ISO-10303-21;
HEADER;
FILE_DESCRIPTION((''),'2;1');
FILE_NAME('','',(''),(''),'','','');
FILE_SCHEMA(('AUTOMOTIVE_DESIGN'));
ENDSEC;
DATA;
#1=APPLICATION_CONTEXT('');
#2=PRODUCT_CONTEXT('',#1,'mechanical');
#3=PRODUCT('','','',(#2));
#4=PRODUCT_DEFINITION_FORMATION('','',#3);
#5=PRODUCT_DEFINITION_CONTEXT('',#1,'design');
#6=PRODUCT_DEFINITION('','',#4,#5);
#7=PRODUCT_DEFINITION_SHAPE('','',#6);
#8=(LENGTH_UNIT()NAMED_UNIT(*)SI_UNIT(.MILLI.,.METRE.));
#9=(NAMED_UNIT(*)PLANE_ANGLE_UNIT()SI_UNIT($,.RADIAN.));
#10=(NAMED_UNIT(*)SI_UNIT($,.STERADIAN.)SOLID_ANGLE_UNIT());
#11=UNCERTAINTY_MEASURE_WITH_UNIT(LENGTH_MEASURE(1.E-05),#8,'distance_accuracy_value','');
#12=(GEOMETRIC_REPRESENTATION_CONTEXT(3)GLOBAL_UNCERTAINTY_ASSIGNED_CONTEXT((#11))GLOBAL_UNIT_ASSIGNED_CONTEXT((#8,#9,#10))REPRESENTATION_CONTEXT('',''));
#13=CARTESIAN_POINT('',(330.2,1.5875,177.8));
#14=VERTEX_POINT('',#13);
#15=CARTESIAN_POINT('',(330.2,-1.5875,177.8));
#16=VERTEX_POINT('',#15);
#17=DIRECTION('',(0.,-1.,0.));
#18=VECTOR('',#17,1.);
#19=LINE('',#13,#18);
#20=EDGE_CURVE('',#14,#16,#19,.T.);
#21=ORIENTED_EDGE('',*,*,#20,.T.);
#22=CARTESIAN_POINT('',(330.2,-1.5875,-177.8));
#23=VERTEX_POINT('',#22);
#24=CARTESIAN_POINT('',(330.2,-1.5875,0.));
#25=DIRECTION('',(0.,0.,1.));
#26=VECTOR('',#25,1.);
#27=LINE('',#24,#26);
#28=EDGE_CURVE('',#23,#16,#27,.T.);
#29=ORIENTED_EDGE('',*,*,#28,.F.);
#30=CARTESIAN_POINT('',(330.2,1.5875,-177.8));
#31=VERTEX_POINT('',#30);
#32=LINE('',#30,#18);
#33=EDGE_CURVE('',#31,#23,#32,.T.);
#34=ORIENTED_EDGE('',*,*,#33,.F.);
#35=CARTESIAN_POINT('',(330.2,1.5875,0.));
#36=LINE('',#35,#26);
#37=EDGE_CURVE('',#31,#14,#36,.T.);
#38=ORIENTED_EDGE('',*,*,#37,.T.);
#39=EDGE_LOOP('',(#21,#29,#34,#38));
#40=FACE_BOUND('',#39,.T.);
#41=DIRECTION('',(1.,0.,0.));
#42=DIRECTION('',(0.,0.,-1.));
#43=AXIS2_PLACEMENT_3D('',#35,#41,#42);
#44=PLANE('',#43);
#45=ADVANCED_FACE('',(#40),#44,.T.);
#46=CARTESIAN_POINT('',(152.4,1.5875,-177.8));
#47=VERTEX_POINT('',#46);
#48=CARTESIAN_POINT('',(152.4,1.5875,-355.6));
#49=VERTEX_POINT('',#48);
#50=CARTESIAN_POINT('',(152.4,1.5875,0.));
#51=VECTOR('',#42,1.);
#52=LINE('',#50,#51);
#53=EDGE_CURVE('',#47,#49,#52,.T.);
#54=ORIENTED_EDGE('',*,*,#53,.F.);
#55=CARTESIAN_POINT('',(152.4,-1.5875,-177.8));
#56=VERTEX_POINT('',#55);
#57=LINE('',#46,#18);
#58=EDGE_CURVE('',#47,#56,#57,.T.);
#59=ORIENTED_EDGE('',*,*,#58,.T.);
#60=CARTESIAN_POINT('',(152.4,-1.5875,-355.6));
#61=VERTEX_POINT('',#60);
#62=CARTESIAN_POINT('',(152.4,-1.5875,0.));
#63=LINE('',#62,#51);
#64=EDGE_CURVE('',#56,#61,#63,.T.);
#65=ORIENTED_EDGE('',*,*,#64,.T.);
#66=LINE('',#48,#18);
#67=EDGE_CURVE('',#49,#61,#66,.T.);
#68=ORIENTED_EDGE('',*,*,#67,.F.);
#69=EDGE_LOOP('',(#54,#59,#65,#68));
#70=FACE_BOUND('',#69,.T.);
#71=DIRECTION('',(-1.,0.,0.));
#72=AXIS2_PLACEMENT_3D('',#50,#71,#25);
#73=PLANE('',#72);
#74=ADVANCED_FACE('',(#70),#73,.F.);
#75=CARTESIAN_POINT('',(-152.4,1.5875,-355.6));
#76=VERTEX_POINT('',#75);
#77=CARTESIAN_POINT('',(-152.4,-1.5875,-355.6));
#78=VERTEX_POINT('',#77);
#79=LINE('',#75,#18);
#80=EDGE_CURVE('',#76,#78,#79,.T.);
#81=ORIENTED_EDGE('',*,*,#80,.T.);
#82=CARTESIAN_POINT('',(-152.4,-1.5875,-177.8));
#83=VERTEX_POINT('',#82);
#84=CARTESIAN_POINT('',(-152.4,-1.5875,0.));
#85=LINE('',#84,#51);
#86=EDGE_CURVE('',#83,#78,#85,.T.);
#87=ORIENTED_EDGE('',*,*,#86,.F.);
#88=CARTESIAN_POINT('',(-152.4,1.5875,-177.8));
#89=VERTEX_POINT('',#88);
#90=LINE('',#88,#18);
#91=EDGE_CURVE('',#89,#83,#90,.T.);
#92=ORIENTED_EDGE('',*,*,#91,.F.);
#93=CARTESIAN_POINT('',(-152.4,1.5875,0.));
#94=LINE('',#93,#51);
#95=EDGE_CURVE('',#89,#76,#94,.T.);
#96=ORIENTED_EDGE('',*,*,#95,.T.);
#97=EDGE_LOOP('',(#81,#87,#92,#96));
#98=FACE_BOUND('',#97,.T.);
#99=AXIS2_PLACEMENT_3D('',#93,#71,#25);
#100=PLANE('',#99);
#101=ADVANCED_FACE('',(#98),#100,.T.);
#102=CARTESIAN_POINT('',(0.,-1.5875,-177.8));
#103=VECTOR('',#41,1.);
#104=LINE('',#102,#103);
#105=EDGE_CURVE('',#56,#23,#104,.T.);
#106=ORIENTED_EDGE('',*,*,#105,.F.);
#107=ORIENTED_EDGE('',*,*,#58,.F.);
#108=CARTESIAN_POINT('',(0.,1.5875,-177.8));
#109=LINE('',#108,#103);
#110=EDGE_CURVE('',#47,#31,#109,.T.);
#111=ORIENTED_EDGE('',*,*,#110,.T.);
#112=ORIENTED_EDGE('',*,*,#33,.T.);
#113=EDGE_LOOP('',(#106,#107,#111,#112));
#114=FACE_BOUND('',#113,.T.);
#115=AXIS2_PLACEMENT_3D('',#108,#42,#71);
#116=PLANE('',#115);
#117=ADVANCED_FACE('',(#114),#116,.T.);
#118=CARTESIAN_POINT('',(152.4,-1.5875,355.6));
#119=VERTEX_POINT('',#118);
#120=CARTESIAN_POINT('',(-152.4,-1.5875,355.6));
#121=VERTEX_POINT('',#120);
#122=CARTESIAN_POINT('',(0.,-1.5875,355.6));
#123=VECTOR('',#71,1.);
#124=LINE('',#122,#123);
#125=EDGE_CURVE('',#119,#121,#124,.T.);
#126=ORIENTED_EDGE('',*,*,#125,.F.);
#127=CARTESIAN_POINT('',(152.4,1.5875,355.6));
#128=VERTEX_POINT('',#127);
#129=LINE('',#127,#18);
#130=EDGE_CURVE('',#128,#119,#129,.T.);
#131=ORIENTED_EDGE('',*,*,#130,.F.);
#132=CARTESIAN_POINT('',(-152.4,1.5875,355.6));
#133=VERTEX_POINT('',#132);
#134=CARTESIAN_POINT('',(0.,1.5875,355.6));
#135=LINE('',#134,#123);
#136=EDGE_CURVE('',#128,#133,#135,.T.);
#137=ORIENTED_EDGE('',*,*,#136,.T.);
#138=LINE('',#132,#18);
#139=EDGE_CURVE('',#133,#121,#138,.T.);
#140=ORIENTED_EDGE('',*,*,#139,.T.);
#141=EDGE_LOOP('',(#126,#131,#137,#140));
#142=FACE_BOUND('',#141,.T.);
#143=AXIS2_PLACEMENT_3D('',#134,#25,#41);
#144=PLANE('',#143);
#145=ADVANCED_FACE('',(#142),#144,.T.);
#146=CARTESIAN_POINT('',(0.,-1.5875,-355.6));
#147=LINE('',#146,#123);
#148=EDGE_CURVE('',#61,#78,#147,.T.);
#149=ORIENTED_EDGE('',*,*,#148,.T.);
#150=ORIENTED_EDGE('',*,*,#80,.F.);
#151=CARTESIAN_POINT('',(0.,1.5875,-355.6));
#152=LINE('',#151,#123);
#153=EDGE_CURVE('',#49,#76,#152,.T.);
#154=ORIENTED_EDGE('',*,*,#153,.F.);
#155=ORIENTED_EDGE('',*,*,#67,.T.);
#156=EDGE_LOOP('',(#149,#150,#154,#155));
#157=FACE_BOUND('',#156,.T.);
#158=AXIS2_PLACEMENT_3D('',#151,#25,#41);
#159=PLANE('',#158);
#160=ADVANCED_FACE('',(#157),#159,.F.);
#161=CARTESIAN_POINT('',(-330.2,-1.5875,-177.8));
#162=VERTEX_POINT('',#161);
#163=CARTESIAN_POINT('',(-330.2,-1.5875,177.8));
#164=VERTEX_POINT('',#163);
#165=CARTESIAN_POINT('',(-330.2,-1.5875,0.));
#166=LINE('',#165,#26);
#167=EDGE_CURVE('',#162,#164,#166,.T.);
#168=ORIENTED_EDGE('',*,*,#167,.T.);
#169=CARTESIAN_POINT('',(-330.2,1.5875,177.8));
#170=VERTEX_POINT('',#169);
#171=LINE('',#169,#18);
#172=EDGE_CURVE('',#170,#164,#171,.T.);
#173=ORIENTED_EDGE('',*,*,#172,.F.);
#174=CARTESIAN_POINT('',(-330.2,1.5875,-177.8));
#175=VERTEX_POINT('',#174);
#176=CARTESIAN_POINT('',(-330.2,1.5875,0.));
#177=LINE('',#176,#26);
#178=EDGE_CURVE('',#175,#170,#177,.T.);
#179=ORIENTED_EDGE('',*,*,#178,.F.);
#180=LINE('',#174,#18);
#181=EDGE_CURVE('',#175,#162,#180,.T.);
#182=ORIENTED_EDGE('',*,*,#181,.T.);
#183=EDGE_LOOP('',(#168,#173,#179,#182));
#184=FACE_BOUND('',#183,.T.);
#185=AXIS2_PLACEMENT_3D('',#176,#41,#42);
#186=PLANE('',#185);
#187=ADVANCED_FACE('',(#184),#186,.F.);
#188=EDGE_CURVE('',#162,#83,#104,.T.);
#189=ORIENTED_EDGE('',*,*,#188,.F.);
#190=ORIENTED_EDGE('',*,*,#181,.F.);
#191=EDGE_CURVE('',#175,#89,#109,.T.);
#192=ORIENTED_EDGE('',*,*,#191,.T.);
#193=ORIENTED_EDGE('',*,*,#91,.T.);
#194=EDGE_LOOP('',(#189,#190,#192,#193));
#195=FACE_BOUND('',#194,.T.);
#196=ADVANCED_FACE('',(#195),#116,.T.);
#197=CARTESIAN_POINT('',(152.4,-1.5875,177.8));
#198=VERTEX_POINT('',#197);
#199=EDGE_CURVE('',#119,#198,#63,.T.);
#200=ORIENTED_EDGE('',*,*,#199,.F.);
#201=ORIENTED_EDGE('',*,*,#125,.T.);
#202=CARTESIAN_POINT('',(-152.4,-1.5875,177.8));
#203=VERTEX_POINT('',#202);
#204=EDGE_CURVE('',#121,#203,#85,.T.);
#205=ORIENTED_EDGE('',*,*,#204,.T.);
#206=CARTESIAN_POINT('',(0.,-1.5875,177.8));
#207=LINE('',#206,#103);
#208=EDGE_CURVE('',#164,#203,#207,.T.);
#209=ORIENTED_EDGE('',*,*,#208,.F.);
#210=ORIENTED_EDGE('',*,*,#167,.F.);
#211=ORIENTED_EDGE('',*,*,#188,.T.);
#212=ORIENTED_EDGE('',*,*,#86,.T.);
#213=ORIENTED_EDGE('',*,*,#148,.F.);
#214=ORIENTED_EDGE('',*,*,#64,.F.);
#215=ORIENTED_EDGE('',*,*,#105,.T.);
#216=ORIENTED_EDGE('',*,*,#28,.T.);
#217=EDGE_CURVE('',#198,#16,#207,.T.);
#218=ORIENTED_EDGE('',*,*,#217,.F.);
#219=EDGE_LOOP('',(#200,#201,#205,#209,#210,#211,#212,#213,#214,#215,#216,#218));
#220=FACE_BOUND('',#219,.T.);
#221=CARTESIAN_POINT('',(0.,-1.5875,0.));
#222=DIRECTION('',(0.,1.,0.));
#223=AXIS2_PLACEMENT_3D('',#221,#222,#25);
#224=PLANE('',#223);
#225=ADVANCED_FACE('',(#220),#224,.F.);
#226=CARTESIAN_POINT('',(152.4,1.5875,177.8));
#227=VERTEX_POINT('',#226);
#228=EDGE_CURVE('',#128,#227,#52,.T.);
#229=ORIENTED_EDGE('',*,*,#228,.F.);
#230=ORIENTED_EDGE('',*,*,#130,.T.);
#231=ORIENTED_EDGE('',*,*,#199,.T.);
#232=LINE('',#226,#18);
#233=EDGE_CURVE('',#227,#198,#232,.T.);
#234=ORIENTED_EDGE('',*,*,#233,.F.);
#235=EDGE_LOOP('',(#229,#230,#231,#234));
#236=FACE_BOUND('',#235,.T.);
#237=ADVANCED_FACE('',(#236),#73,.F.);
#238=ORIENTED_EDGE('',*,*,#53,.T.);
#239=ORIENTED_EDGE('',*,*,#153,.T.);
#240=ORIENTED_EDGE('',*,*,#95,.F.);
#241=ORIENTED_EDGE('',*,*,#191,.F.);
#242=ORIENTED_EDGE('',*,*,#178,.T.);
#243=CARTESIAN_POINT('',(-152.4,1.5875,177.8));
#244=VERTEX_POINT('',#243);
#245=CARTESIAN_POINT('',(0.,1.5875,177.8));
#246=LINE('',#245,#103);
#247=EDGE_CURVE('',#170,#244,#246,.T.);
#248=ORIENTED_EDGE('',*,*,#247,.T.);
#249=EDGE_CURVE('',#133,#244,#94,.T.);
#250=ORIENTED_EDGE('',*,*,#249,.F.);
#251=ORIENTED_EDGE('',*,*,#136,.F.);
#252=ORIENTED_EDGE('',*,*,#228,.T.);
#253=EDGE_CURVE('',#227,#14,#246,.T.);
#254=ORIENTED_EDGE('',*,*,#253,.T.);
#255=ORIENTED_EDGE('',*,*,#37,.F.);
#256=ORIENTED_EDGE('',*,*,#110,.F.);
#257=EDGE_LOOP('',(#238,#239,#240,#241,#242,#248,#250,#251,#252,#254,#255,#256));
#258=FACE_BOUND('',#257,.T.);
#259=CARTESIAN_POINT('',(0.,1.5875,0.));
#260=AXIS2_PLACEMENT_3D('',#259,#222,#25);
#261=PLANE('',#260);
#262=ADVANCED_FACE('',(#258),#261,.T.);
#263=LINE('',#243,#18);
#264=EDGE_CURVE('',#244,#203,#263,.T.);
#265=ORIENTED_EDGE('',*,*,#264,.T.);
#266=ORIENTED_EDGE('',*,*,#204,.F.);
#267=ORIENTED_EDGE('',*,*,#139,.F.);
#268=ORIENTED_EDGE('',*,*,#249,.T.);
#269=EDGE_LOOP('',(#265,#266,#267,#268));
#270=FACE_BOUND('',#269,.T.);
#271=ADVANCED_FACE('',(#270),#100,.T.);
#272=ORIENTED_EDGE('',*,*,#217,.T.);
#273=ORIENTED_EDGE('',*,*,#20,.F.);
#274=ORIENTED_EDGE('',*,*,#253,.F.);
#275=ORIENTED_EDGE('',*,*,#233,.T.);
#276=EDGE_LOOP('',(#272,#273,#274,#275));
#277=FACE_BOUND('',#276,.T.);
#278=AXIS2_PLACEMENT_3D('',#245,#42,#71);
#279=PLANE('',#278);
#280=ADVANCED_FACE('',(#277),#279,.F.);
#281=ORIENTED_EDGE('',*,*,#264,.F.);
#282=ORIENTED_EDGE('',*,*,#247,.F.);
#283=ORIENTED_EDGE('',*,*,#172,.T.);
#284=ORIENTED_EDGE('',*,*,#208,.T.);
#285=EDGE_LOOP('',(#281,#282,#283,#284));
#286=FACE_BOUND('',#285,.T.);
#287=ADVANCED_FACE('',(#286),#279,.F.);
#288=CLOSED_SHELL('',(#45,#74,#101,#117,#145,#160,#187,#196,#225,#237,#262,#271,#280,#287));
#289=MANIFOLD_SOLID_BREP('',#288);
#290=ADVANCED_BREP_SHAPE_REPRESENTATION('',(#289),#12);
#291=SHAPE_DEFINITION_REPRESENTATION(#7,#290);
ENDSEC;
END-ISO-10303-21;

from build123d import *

# Parameters (mm, degrees)
SKETCH1_W           = 177.8
SKETCH1_H           = 355.6
SKETCH1_W_2         = 304.8
SKETCH1_H_2         = 177.8
BOSS_EXTRUDE1_DEPTH = 1.5875


with BuildPart() as part:
    # Sketch1 → Boss-Extrude1 (new, symmetric)
    with BuildSketch(Plane(origin=(0, 0, 0), x_dir=(1, 0, 0), z_dir=(0, 1, 0))):
        with Locations((-241.3, 0)):
            Rectangle(SKETCH1_W, SKETCH1_H)
        Rectangle(SKETCH1_W_2, SKETCH1_H)
        with Locations((0, 266.7)):
            Rectangle(SKETCH1_W_2, SKETCH1_H_2)
        with Locations((0, -266.7)):
            Rectangle(SKETCH1_W_2, SKETCH1_H_2)
        with Locations((241.3, 0)):
            Rectangle(SKETCH1_W, SKETCH1_H)
    extrude(amount=BOSS_EXTRUDE1_DEPTH, both=True)


solid = part.part
